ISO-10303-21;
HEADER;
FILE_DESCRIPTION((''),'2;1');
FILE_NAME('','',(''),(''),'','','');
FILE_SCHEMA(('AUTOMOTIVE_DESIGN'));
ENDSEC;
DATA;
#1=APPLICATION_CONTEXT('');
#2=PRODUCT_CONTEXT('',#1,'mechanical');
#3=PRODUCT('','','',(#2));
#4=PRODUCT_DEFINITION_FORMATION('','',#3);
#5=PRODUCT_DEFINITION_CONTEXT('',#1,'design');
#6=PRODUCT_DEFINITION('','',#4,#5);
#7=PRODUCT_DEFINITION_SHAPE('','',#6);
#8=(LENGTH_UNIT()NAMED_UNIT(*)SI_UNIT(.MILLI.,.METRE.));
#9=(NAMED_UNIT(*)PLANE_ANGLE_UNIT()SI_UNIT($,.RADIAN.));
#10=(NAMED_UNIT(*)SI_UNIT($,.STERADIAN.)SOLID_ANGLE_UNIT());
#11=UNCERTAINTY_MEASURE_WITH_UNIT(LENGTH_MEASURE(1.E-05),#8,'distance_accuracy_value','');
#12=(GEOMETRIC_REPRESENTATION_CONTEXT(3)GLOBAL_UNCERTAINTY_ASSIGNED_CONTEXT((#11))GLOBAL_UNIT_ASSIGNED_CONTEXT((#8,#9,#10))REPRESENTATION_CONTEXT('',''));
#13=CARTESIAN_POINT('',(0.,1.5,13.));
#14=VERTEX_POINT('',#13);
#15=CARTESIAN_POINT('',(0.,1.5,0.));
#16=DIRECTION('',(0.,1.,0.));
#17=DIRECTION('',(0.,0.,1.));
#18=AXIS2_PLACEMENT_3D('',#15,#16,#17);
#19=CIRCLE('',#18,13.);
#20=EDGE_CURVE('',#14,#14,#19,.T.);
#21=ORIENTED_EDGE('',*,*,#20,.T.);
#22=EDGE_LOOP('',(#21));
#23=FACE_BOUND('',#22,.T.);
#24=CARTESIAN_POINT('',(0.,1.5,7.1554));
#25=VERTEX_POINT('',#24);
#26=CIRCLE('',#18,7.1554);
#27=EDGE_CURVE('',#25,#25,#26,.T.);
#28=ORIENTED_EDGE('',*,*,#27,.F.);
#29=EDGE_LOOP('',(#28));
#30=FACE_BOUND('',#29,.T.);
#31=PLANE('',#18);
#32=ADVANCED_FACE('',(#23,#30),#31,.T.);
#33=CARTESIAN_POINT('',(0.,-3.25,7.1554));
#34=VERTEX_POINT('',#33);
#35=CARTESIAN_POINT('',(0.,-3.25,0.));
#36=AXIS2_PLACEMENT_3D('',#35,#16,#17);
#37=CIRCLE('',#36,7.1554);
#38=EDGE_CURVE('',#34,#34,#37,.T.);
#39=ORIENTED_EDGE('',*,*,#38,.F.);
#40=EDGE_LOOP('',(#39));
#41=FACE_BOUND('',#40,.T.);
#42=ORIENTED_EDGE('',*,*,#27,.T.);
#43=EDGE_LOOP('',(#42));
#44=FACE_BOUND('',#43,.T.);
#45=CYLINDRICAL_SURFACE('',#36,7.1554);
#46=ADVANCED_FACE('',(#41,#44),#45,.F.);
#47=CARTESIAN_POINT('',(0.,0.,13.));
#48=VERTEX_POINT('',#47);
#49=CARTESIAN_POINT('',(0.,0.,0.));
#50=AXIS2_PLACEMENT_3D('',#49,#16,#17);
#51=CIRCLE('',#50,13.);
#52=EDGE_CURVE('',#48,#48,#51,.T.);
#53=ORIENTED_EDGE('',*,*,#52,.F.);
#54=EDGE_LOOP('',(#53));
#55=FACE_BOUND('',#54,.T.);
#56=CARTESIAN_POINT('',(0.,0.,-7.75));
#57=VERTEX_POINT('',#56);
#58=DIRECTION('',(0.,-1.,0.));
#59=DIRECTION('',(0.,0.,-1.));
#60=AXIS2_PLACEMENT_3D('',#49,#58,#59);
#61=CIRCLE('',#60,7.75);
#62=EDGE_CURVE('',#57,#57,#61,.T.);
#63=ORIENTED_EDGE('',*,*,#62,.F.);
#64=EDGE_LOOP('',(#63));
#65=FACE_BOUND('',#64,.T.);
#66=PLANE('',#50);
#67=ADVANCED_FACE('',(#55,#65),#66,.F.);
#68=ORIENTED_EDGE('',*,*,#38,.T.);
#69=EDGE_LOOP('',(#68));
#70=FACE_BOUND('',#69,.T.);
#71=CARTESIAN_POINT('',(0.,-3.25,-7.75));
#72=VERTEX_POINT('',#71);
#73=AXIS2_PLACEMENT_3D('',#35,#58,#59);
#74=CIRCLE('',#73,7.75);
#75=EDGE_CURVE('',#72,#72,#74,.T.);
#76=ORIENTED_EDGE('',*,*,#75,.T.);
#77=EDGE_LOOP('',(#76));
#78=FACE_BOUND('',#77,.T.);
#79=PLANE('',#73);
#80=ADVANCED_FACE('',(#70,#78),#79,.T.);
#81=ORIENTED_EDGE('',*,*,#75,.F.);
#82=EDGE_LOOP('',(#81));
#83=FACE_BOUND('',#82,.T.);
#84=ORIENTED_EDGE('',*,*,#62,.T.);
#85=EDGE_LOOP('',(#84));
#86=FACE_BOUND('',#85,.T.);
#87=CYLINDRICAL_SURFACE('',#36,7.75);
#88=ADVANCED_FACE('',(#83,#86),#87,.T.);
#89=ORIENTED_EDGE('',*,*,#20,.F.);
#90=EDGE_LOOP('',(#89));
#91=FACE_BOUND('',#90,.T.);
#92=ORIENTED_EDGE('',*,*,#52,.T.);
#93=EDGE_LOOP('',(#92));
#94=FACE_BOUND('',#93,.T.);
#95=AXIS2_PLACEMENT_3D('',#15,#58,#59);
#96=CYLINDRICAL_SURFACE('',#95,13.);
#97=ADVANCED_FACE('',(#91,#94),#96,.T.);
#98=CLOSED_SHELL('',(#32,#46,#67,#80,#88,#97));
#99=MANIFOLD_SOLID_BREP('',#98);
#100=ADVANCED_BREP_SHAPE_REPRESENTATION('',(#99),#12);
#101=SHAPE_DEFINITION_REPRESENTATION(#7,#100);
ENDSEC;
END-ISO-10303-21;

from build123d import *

# Parameters (mm, degrees)
SKETCH1_R           = 13
BOSS_EXTRUDE1_DEPTH = 1.5
SKETCH2_R           = 7.75
BOSS_EXTRUDE2_DEPTH = 3.25
SKETCH3_R           = 7.1554
CUT_EXTRUDE1_DEPTH  = 5.75


with BuildPart() as part:
    # Sketch1 → Boss-Extrude1 (new body)
    with BuildSketch(Plane(origin=(0, 0, 0), x_dir=(1, 0, 0), z_dir=(0, 1, 0))):
        Circle(SKETCH1_R)
    extrude(amount=BOSS_EXTRUDE1_DEPTH)

    # Sketch2 → Boss-Extrude2 (add)
    with BuildSketch(Plane.XZ):
        Circle(SKETCH2_R)
    extrude(amount=BOSS_EXTRUDE2_DEPTH)

    # Sketch3 → Cut-Extrude1 (cut, through all)
    with BuildSketch(Plane(origin=(0, 1.5, 0), x_dir=(1, 0, 0), z_dir=(0, 1, 0))):
        Circle(SKETCH3_R)
    extrude(amount=-CUT_EXTRUDE1_DEPTH, mode=Mode.SUBTRACT)


solid = part.part
